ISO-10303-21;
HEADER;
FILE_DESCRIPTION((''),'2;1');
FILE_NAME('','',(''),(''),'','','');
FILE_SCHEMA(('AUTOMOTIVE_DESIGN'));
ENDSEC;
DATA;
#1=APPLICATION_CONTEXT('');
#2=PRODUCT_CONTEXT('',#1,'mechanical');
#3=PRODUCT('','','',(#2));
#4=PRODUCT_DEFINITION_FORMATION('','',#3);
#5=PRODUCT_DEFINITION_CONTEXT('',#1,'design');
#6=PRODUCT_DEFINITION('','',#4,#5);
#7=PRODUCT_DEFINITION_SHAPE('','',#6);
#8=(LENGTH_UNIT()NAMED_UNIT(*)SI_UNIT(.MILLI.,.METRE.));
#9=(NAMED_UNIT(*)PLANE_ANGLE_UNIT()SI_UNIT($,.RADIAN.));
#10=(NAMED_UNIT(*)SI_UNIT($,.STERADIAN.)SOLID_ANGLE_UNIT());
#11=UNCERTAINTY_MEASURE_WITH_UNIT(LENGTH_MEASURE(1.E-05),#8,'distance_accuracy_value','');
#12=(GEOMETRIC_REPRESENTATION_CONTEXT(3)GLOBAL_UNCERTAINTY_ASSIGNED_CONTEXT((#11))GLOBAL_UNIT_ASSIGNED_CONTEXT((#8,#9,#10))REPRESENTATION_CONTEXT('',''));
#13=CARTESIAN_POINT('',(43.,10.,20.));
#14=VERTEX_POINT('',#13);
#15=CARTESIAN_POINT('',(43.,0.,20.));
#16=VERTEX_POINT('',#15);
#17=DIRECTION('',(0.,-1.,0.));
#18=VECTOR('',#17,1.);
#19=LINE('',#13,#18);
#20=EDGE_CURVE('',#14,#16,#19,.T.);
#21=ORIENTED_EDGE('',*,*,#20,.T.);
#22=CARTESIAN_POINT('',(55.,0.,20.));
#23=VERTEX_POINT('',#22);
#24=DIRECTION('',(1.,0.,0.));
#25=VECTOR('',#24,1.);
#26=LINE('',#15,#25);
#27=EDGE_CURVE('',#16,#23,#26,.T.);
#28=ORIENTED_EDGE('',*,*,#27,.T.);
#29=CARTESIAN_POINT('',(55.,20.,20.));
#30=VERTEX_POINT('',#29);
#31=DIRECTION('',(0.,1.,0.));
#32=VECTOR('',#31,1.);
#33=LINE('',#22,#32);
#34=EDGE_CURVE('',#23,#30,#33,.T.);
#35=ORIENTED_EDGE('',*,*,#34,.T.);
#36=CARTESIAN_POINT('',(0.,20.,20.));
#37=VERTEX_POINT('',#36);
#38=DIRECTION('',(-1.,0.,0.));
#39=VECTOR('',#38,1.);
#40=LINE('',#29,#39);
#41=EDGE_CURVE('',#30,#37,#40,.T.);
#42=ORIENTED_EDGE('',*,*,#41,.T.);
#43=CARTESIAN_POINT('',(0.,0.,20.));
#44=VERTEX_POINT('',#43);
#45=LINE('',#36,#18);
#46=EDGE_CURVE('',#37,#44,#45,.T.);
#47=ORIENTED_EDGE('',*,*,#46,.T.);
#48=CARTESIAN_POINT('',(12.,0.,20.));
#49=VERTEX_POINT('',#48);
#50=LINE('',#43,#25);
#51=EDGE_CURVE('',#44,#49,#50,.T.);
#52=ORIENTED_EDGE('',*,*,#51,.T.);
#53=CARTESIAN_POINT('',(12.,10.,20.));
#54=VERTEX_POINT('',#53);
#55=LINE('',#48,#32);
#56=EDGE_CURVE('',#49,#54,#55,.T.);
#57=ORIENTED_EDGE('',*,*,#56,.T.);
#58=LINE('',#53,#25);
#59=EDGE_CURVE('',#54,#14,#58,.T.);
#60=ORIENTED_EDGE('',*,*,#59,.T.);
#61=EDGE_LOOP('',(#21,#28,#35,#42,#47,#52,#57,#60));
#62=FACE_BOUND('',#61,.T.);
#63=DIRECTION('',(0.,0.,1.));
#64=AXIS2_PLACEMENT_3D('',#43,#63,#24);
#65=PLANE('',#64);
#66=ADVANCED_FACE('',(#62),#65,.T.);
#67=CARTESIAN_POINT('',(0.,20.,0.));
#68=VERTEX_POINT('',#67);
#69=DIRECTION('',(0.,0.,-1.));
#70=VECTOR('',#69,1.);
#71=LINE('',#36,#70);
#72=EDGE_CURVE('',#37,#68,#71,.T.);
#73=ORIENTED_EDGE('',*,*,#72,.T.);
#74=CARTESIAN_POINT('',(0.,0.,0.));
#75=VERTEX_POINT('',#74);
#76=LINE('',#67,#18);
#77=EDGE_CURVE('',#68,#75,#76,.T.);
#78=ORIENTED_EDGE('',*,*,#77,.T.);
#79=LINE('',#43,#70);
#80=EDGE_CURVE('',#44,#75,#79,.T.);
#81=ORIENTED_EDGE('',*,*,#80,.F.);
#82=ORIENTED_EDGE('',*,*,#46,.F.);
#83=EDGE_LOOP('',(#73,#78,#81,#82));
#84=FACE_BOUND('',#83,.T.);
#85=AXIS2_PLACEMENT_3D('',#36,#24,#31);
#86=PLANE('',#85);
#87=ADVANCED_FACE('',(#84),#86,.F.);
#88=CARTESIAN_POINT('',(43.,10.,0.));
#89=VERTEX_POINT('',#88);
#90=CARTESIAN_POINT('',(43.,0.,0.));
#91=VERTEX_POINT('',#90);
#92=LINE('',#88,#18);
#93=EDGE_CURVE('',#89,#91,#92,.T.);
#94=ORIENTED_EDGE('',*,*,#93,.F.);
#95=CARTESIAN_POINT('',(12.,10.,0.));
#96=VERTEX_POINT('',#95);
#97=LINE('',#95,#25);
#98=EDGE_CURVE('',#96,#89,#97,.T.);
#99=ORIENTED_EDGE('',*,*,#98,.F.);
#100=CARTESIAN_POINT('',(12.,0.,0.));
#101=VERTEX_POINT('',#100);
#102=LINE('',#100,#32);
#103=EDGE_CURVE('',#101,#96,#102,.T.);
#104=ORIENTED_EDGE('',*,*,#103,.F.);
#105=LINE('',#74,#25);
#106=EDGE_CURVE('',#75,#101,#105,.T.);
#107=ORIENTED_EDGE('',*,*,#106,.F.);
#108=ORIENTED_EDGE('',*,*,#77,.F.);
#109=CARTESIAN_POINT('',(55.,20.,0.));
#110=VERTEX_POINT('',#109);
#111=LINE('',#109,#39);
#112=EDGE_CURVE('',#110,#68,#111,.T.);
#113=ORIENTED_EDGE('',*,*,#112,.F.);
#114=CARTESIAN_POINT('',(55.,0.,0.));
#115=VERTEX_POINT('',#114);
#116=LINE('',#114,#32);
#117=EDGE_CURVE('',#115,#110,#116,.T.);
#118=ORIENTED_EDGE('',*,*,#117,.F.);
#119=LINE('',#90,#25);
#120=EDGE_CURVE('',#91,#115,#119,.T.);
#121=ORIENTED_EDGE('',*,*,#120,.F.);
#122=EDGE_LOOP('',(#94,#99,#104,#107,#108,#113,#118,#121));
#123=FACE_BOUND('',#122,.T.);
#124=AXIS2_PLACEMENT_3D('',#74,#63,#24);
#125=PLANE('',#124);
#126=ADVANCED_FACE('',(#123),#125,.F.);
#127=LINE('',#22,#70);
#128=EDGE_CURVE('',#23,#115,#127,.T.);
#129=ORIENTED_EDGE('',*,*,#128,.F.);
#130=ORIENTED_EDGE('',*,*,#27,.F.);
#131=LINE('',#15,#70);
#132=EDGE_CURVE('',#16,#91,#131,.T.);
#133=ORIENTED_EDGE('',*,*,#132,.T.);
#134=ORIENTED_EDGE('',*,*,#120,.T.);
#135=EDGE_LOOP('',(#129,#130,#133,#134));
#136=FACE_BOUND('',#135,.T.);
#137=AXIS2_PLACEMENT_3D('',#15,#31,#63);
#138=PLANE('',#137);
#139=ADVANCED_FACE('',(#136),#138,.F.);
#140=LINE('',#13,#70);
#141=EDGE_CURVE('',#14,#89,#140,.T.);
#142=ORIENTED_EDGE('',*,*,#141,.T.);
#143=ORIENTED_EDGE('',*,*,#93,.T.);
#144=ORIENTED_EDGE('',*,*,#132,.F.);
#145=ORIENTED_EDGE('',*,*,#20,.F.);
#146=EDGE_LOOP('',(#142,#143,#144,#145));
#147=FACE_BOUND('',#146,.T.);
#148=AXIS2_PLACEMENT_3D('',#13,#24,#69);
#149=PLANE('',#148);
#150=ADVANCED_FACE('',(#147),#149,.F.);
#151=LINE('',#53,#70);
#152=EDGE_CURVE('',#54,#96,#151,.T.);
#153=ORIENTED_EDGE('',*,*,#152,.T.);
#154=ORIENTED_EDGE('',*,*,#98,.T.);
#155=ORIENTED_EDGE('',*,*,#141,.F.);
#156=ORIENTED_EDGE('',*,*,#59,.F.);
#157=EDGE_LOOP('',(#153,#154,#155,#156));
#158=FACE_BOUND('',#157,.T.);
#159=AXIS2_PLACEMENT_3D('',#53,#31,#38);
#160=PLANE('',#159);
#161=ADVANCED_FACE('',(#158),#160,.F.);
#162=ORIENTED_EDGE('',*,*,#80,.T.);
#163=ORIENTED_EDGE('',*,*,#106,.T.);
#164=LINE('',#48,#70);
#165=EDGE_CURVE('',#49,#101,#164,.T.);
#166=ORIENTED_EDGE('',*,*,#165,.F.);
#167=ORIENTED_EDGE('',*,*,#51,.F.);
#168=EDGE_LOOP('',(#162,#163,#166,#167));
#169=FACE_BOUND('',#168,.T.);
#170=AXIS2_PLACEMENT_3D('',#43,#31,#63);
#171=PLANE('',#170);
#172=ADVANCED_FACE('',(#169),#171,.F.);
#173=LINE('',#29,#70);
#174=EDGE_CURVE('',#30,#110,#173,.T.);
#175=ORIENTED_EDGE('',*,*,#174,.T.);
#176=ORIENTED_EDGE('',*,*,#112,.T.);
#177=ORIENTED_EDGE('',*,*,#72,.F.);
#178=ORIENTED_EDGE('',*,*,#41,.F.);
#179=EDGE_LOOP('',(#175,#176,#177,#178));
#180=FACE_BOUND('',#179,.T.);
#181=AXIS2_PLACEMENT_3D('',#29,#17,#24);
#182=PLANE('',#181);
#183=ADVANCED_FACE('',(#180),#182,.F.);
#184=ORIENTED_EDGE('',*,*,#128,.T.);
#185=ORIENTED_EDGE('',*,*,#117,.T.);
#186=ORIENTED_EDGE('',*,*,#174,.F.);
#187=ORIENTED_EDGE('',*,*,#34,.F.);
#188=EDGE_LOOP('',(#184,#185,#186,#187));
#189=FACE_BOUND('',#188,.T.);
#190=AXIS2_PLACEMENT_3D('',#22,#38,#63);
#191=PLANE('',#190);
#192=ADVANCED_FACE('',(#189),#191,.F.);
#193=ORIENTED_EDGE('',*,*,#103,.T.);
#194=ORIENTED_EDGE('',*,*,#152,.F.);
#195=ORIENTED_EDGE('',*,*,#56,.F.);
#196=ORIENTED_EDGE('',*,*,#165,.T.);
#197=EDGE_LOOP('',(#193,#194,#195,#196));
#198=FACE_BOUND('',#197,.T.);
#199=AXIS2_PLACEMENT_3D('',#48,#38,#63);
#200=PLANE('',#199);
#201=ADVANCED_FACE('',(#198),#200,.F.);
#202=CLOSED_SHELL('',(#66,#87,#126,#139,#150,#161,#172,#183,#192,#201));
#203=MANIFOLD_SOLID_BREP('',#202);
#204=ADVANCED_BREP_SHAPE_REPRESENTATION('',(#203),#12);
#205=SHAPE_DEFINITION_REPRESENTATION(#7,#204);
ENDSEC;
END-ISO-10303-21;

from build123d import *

# Parameters (mm, degrees)
BOSS_EXTRUDE1_DEPTH = 20


with BuildPart() as part:
    # Sketch1 → Boss-Extrude1 (new body)
    with BuildSketch(Plane.XY):
        Polygon((0, 0), (12, 0), (12, 10), (43, 10), (43, 0), (55, 0), (55, 20), (0, 20), align=None)
    extrude(amount=BOSS_EXTRUDE1_DEPTH)


solid = part.part
